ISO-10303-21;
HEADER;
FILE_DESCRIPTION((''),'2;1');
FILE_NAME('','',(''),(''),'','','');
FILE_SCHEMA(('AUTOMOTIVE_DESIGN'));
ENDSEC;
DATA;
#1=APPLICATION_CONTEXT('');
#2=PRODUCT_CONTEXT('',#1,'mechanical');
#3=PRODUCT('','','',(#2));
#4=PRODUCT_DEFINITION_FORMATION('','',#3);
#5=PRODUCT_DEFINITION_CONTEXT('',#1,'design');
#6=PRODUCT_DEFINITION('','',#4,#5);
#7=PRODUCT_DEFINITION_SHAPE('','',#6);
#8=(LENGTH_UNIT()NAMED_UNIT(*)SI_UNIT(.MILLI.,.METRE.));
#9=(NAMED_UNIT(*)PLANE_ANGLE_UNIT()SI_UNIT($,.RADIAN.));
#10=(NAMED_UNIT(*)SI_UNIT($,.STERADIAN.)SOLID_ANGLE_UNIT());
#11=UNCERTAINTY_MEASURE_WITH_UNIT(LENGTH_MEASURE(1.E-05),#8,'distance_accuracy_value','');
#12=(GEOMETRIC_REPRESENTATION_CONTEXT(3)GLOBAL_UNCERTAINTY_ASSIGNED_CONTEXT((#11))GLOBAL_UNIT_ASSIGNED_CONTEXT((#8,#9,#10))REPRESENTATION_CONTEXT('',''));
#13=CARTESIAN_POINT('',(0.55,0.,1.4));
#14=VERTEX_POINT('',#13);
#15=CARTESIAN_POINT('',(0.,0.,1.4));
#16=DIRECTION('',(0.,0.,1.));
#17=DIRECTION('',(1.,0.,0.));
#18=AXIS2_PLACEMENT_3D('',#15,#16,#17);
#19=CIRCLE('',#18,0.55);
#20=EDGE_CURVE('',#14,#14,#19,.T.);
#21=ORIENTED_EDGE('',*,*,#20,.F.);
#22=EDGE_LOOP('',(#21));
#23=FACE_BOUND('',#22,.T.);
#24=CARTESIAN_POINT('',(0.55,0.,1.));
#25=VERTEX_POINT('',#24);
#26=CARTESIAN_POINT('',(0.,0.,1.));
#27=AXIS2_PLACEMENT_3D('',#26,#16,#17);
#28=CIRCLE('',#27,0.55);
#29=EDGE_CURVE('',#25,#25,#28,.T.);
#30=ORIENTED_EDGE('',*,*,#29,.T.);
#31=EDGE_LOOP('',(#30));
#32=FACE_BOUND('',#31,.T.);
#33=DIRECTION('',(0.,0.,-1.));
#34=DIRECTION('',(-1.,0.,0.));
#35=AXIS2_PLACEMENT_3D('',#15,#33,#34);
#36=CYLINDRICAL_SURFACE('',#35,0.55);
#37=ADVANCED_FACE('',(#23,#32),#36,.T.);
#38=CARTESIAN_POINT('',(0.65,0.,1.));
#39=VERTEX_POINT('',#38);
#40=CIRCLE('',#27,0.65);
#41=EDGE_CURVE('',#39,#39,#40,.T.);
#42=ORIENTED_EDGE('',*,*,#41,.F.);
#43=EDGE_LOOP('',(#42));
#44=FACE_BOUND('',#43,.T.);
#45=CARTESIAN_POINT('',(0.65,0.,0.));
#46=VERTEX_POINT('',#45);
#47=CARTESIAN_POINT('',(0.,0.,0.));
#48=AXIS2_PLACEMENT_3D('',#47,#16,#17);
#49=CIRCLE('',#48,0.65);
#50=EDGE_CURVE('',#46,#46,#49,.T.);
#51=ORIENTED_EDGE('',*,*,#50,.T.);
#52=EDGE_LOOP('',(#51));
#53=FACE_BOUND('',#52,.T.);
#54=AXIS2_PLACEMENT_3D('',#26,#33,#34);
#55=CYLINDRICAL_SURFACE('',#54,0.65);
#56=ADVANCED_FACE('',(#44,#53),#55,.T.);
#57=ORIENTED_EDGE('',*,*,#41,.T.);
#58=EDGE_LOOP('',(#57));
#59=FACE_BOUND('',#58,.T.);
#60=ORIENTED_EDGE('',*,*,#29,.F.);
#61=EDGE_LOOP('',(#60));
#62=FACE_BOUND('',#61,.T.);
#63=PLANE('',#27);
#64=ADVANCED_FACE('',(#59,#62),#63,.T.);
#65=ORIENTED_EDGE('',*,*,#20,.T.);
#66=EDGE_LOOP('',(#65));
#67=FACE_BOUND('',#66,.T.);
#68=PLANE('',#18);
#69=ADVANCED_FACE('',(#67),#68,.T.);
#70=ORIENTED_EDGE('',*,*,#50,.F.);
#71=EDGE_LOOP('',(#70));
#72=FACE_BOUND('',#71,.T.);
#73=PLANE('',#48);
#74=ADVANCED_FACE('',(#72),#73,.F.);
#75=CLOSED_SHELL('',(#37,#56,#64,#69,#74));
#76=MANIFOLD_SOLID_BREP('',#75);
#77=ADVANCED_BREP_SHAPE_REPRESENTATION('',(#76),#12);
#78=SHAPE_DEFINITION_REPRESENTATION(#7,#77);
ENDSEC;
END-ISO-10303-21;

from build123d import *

# Parameters (mm, degrees)
ESQUISSE2_R        = 0.65
BOSS_EXTRU_1_DEPTH = 1
ESQUISSE3_R        = 0.55
BOSS_EXTRU_3_DEPTH = 0.4


with BuildPart() as part:
    # Esquisse2 → Boss.-Extru.1 (new body)
    with BuildSketch(Plane.XY):
        Circle(ESQUISSE2_R)
    extrude(amount=BOSS_EXTRU_1_DEPTH)

    # Esquisse3 → Boss.-Extru.3 (add)
    with BuildSketch(Plane.XY.offset(1)):
        Circle(ESQUISSE3_R)
    extrude(amount=BOSS_EXTRU_3_DEPTH)


solid = part.part
